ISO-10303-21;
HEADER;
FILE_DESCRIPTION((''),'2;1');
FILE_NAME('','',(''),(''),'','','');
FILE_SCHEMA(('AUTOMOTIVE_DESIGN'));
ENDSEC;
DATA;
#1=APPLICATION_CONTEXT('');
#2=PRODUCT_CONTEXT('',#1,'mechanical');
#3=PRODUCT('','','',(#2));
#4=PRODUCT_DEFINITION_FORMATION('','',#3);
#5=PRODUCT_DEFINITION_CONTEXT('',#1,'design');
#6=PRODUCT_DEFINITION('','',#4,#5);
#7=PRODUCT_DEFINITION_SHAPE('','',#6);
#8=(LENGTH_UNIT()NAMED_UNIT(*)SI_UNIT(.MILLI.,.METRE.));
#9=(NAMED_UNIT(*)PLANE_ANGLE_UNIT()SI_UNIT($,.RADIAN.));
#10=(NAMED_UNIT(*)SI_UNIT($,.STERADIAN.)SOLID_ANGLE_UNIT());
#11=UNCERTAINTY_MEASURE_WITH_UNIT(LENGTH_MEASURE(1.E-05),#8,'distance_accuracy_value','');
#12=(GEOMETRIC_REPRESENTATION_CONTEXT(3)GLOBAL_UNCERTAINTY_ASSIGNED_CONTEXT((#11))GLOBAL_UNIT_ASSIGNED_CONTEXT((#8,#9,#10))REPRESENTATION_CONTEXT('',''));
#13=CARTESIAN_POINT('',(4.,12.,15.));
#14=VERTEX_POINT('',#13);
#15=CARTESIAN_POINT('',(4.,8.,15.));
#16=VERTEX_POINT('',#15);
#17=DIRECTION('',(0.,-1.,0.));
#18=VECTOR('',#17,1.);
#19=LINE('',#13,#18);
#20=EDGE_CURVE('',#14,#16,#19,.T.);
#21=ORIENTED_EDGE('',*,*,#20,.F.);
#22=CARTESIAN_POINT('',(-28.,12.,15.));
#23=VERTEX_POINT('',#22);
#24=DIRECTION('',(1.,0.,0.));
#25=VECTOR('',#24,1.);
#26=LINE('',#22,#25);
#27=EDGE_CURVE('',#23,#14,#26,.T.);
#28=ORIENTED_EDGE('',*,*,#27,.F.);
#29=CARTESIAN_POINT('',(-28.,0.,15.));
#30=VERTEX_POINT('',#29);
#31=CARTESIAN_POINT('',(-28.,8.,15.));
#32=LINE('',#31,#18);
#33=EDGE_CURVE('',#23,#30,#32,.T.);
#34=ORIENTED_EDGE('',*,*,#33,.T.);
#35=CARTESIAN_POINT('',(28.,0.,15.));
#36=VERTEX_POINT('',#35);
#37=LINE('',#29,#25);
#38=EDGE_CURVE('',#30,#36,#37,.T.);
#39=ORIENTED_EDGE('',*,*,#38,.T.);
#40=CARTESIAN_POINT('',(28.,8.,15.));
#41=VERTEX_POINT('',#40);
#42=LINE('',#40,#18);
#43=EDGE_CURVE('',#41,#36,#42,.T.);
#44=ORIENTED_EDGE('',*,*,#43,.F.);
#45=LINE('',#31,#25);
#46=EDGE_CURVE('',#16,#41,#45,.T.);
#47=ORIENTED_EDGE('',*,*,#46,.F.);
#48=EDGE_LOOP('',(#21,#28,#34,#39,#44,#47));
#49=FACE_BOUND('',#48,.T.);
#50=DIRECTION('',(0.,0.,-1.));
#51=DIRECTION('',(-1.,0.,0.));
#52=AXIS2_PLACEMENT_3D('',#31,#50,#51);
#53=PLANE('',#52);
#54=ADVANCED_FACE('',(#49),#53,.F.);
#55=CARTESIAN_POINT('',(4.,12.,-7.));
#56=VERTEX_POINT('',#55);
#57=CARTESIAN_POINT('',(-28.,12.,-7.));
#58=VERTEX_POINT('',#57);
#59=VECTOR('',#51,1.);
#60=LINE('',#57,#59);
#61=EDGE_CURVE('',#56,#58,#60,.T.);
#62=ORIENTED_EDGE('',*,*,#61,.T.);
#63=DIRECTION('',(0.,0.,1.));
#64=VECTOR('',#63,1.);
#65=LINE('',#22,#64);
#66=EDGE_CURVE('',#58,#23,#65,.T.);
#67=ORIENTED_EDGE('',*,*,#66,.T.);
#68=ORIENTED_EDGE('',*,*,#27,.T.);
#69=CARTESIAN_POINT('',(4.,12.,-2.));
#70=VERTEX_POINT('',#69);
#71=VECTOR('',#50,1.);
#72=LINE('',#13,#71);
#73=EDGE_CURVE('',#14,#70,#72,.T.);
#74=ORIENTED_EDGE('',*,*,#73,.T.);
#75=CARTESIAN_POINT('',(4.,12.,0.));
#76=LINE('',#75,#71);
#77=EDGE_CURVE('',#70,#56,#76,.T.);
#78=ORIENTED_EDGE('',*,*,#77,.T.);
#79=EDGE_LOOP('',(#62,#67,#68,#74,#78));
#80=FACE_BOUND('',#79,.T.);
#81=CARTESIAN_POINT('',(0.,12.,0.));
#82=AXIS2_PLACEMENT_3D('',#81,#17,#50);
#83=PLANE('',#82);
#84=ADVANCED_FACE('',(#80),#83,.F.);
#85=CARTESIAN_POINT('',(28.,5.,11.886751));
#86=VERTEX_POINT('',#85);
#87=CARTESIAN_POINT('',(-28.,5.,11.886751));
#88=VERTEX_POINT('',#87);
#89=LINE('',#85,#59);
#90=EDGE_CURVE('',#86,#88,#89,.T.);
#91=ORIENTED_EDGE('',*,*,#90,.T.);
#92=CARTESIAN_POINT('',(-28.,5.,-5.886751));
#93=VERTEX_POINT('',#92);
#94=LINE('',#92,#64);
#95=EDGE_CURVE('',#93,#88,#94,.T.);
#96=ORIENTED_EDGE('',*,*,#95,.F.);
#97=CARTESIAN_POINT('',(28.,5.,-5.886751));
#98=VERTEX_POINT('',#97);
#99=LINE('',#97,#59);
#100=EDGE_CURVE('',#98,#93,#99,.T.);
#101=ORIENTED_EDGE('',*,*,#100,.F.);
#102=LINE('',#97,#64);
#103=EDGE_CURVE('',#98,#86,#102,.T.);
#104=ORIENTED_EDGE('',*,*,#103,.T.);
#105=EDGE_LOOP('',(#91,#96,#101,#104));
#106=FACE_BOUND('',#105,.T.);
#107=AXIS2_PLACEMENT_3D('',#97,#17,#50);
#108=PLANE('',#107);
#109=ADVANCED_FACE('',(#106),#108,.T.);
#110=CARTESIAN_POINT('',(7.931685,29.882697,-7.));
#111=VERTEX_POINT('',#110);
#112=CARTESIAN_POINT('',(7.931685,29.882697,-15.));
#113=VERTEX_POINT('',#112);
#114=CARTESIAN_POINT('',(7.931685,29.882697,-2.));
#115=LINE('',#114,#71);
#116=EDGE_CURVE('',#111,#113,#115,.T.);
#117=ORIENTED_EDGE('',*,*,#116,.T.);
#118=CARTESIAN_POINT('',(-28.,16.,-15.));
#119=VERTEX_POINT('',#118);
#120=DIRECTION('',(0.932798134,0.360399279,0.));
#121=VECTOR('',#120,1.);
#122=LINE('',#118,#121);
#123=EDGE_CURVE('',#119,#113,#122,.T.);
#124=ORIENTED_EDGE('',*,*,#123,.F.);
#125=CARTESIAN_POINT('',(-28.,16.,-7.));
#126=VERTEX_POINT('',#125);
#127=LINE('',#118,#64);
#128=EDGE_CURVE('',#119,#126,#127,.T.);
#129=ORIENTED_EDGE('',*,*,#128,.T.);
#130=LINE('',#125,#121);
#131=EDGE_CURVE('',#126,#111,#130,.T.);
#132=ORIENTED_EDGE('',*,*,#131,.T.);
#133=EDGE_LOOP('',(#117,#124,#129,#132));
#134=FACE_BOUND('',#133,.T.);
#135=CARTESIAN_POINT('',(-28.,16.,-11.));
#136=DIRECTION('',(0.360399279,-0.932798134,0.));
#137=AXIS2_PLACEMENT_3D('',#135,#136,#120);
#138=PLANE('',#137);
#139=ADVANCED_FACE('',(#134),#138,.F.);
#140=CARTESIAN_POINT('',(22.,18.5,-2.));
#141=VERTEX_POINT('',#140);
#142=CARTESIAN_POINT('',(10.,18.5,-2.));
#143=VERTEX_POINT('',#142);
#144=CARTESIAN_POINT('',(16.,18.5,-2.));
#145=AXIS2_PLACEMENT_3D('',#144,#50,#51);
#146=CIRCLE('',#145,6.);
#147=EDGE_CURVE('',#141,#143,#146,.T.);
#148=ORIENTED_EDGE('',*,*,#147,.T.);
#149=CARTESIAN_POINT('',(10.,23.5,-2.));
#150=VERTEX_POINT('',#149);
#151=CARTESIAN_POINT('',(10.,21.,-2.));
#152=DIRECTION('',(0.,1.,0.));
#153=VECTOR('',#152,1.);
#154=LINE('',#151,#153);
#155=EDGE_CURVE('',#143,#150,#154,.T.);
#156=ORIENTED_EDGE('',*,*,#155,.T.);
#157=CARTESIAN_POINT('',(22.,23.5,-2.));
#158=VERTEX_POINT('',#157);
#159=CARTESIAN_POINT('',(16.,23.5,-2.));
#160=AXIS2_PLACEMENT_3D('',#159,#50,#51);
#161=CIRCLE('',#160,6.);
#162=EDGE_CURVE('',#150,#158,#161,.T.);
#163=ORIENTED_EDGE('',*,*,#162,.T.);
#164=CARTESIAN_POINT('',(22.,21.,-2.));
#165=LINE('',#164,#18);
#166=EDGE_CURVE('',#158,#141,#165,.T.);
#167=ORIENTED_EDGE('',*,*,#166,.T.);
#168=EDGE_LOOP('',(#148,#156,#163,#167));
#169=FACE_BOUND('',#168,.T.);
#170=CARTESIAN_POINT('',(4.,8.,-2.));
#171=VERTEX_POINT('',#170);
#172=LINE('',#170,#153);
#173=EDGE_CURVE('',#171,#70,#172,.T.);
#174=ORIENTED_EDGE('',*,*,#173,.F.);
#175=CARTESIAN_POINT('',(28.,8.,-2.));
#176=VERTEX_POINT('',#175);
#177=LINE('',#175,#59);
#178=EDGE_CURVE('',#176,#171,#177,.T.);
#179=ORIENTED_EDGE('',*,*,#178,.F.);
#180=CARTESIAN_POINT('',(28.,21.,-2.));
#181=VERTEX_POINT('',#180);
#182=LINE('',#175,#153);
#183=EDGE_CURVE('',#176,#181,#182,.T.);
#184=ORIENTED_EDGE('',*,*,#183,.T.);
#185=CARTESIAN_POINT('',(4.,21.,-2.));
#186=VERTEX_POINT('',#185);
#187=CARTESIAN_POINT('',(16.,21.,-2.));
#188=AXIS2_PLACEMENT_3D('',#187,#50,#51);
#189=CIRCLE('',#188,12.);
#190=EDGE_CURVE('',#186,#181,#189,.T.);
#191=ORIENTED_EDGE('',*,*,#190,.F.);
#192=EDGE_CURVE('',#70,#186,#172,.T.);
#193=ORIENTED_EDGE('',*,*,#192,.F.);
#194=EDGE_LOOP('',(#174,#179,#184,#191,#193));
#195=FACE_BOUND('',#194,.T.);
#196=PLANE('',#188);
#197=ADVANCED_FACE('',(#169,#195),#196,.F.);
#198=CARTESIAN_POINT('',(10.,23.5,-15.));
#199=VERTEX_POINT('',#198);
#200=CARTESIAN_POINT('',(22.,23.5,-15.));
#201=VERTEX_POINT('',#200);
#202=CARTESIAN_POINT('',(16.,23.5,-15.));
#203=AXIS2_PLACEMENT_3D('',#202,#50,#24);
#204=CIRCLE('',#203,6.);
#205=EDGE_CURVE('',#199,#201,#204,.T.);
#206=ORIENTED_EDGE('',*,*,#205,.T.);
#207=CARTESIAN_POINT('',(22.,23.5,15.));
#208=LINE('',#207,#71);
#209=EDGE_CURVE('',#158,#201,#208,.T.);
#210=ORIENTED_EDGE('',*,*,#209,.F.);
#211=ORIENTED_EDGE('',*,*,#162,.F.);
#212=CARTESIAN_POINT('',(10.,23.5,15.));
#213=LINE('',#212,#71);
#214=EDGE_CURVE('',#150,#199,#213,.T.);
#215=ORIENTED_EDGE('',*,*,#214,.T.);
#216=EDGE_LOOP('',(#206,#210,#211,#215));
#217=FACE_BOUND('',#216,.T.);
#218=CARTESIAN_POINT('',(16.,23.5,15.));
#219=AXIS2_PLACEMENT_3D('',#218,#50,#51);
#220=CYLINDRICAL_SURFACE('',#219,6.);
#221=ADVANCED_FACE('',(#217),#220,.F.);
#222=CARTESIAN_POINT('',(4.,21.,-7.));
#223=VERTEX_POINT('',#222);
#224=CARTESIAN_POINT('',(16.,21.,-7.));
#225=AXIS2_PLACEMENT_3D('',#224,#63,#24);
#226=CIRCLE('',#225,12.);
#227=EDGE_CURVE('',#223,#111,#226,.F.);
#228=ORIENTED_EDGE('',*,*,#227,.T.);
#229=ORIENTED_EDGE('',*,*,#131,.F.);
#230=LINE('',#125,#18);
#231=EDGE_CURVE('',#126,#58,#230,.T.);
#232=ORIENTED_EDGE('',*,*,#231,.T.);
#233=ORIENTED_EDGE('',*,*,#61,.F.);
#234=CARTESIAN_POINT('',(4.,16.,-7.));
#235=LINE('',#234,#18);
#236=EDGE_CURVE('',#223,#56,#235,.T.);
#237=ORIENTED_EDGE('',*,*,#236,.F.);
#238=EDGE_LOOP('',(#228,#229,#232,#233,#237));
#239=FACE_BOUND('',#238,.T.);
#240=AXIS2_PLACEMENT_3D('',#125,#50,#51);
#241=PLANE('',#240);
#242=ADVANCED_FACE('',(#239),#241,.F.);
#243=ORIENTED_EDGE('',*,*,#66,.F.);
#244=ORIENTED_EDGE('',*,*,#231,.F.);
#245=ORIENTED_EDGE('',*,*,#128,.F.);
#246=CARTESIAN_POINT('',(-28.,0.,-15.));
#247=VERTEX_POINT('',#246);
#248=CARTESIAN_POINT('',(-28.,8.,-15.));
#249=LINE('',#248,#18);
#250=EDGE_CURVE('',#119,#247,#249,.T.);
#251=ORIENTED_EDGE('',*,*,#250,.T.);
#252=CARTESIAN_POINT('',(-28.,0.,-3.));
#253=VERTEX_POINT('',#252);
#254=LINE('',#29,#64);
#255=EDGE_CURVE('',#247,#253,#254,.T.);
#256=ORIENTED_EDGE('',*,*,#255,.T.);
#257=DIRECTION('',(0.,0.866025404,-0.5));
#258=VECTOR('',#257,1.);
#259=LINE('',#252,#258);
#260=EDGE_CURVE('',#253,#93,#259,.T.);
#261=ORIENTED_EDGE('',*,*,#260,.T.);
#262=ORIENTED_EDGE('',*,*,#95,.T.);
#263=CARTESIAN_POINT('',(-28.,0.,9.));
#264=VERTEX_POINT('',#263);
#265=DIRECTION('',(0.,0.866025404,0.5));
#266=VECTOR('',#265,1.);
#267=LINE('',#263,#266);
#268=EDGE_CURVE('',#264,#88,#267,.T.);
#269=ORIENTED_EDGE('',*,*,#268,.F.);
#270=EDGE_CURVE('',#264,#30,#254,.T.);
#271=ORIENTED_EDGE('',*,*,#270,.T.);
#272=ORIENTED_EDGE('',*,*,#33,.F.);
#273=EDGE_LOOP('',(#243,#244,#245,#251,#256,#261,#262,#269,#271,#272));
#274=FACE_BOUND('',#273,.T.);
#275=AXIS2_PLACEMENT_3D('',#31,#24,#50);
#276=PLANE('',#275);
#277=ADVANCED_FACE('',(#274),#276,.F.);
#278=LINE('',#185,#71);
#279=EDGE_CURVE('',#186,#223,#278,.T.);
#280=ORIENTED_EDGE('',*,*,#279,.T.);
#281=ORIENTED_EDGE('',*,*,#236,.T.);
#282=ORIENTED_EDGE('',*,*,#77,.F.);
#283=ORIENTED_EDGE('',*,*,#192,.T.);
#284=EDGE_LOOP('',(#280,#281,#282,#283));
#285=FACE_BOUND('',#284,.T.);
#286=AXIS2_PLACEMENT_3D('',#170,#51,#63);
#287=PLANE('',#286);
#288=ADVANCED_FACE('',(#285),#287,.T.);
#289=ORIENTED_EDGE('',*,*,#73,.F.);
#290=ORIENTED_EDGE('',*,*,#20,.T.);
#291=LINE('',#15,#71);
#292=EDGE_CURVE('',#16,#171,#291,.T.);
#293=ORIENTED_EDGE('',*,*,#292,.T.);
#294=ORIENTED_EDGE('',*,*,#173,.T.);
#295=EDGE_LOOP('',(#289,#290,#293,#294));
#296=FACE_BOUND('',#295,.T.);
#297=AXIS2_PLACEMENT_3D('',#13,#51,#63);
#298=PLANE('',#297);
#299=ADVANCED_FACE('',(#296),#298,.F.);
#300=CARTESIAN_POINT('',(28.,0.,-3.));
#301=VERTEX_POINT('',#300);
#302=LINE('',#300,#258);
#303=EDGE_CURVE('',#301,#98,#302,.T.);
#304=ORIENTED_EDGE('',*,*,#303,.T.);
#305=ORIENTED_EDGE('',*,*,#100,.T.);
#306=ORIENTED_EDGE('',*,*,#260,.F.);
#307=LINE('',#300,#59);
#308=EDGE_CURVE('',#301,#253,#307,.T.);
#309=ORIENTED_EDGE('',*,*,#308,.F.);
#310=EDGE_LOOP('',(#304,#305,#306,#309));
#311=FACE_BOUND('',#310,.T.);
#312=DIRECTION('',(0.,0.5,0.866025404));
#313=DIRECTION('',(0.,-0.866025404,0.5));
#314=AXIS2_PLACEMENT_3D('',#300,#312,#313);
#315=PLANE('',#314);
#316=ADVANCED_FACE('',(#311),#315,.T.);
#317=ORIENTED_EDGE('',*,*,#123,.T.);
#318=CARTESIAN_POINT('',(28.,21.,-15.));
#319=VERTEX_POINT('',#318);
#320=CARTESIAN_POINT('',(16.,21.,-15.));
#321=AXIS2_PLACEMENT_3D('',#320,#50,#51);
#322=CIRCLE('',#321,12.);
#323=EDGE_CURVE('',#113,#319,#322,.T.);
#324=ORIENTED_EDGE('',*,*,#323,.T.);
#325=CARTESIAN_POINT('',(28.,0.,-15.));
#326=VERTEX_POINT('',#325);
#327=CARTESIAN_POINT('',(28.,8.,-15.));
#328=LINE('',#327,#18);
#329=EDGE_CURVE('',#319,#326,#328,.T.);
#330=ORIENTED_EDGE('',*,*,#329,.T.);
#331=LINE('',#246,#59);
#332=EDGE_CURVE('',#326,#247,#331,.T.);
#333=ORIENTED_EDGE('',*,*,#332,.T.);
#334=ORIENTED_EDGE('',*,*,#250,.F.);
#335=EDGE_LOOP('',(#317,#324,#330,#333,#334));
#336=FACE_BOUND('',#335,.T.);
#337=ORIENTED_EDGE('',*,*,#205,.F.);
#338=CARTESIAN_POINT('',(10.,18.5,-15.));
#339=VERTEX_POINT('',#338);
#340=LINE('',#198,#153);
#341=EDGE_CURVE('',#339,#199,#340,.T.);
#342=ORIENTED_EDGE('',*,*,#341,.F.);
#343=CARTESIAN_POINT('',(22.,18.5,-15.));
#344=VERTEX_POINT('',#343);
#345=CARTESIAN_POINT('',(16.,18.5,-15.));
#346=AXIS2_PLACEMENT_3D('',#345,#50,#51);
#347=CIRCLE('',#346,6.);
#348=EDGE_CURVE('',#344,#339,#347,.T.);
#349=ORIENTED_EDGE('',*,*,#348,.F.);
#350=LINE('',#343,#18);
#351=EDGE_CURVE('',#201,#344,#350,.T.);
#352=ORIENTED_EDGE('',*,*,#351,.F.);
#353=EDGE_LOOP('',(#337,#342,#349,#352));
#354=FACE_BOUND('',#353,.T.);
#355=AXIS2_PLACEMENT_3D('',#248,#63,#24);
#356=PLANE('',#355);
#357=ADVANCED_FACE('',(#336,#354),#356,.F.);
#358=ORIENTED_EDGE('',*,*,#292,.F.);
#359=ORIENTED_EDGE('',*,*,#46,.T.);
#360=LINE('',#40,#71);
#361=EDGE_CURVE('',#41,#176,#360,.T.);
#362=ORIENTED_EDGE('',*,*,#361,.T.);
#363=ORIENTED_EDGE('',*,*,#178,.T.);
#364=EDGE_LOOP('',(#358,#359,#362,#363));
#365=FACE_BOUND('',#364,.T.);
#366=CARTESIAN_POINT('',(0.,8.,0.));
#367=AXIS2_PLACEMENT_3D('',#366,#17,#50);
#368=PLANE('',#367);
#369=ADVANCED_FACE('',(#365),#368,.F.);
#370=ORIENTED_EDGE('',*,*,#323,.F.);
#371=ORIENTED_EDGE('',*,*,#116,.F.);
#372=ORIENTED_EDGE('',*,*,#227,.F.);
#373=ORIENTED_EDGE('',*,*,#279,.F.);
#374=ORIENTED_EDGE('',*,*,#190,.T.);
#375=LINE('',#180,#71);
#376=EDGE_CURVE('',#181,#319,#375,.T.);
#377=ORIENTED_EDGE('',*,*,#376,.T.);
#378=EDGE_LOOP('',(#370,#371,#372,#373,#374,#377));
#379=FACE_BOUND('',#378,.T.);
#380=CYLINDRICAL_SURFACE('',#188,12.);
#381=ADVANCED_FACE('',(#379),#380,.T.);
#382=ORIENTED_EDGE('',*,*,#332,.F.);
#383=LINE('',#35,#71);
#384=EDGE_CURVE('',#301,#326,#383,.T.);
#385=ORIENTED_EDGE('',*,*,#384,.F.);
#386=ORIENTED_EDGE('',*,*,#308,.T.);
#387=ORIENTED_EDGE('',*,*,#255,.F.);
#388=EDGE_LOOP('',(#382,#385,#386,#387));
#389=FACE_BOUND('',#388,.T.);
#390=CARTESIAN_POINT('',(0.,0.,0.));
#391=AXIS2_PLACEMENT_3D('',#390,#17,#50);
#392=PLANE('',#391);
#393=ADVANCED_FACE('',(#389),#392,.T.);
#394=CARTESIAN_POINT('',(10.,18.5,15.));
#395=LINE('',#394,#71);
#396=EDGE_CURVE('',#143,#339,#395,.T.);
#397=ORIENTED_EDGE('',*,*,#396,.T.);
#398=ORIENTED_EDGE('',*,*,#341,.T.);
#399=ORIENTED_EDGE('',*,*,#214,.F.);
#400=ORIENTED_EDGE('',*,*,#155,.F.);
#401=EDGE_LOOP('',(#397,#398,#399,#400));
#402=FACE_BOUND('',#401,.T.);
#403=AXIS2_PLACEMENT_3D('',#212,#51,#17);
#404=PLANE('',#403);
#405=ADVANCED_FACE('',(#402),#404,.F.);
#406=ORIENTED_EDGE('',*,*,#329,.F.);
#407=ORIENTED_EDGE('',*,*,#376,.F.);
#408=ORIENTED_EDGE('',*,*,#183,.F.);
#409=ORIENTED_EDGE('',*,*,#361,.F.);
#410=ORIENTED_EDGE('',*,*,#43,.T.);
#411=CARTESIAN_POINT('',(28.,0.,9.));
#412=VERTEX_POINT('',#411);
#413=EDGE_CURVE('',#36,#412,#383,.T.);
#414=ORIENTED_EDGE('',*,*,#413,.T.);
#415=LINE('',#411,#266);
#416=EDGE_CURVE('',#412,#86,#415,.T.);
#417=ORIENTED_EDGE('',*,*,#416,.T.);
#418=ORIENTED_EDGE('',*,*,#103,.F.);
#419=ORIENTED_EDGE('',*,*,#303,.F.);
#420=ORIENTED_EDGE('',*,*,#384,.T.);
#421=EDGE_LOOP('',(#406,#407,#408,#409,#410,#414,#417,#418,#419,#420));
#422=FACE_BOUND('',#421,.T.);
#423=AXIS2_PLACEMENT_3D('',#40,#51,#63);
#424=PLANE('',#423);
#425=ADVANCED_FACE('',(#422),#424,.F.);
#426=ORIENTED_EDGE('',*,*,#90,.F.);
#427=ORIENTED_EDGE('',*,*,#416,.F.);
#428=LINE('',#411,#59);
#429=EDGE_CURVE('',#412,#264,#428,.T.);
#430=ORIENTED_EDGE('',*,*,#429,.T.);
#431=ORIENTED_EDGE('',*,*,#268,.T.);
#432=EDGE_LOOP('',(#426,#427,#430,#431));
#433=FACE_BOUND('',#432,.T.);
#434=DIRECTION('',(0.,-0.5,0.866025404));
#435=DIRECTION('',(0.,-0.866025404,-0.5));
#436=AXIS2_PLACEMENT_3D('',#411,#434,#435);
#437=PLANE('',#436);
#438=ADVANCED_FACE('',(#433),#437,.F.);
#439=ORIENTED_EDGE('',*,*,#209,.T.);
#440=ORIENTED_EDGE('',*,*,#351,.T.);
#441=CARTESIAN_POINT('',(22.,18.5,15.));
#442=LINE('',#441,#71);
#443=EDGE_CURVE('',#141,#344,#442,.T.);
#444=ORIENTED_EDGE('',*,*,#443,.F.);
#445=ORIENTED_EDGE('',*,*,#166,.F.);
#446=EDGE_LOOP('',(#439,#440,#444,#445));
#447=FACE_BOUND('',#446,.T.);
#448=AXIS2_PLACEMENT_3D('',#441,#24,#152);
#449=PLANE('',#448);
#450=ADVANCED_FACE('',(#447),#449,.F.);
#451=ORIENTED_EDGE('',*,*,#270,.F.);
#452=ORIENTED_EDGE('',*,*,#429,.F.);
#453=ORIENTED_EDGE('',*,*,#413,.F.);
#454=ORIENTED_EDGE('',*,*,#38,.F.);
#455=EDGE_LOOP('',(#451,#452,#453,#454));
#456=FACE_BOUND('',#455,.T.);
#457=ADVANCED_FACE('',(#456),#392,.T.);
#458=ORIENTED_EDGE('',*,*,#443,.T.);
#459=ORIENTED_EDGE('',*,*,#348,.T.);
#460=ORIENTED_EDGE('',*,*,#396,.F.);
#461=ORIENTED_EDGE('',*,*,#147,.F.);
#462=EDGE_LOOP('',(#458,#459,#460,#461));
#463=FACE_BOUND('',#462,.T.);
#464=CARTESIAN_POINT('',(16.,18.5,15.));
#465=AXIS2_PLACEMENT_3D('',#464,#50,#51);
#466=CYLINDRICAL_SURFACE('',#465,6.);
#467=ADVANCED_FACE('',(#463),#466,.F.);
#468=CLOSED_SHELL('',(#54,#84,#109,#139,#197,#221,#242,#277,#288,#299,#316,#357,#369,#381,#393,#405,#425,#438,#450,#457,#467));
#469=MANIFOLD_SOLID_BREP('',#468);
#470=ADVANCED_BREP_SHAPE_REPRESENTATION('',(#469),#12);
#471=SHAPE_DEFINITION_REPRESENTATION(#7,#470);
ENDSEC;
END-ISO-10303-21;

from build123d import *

# Parameters (mm, degrees)
SKETCH_1_W          = 56
SKETCH_1_H          = 30
EXTRUDE_1_DEPTH     = 8
SKETCH_2_W          = 32
SKETCH_2_H          = 22
EXTRUDE_2_DEPTH     = 4
CUT_EXTRUDE_1_DEPTH = 60.203040462
SKETCH_4_W          = 32
SKETCH_4_H          = 8
EXTRUDE_3_DEPTH     = 8
EXTRUDE_8_DEPTH     = 13
CUT_EXTRUDE_2_DEPTH = 53.659282183
RIB_1_REACH         = 52.488
SKETCH_13_WALL_W    = 150.145150152
SKETCH_13_WALL_H    = 8


with BuildPart() as part:
    # 草图1 → 凸台-拉伸1 (new body)
    with BuildSketch(Plane(origin=(0, 0, 0), x_dir=(1, 0, 0), z_dir=(0, 1, 0))):
        Rectangle(SKETCH_1_W, SKETCH_1_H)
    extrude(amount=EXTRUDE_1_DEPTH)

    # 草图2 → 凸台-拉伸2 (add)
    with BuildSketch(Plane(origin=(0, 8, 0), x_dir=(1, 0, 0), z_dir=(0, 1, 0))):
        with Locations((-12, -4)):
            Rectangle(SKETCH_2_W, SKETCH_2_H)
    extrude(amount=EXTRUDE_2_DEPTH)

    # 草图3 → 切除-拉伸1 (cut, through all)
    with BuildSketch(Plane.ZY.offset(28)):
        Polygon((9, 0), (11.886751346, 5), (-5.886751346, 5), (-3, 0), align=None)
    extrude(amount=-CUT_EXTRUDE_1_DEPTH, mode=Mode.SUBTRACT)

    # 草图4 → 凸台-拉伸3 (add)
    with BuildSketch(Plane(origin=(0, 8, 0), x_dir=(1, 0, 0), z_dir=(0, 1, 0))):
        with Locations((-12, 11)):
            Rectangle(SKETCH_4_W, SKETCH_4_H)
    extrude(amount=EXTRUDE_3_DEPTH)

    # 草图7 → 凸台-拉伸8 (add)
    with BuildSketch(Plane(origin=(0, 0, -15), x_dir=(-1, 0, 0), z_dir=(0, 0, -1))):
        with BuildLine():
            Line((-28, 8), (-28, 21))
            ThreePointArc((-28, 21), (-16, 33), (-4, 21))
            Line((-4, 21), (-4, 8))
            Line((-4, 8), (-28, 8))
        make_face()
    extrude(amount=-EXTRUDE_8_DEPTH)

    # 草图8 → 切除-拉伸2 (cut, through all)
    with BuildSketch(Plane(origin=(0, 0, -15), x_dir=(-1, 0, 0), z_dir=(0, 0, -1))):
        with BuildLine():
            Line((-22, 18.5), (-22, 23.5))
            ThreePointArc((-22, 23.5), (-16, 29.5), (-10, 23.5))
            Line((-10, 23.5), (-10, 18.5))
            ThreePointArc((-10, 18.5), (-16, 12.5), (-22, 18.5))
        make_face()
    extrude(amount=-CUT_EXTRUDE_2_DEPTH, mode=Mode.SUBTRACT)

    # 草图13 wall → 筋1 (add, up to next)
    with BuildSketch(Plane(origin=(-6, 24.5, -11), x_dir=(0.932798134406, 0.360399279202, 0), z_dir=(-0.360399279202, 0.932798134406, 0)), mode=Mode.PRIVATE) as rib_1_sk1:
        Rectangle(SKETCH_13_WALL_W, SKETCH_13_WALL_H)
    rib_1_tool1 = extrude(rib_1_sk1.sketch, amount=-RIB_1_REACH, mode=Mode.PRIVATE) - part.part
    add(rib_1_tool1.solids().sort_by_distance((-6, 24.5, -11))[0])


solid = part.part
